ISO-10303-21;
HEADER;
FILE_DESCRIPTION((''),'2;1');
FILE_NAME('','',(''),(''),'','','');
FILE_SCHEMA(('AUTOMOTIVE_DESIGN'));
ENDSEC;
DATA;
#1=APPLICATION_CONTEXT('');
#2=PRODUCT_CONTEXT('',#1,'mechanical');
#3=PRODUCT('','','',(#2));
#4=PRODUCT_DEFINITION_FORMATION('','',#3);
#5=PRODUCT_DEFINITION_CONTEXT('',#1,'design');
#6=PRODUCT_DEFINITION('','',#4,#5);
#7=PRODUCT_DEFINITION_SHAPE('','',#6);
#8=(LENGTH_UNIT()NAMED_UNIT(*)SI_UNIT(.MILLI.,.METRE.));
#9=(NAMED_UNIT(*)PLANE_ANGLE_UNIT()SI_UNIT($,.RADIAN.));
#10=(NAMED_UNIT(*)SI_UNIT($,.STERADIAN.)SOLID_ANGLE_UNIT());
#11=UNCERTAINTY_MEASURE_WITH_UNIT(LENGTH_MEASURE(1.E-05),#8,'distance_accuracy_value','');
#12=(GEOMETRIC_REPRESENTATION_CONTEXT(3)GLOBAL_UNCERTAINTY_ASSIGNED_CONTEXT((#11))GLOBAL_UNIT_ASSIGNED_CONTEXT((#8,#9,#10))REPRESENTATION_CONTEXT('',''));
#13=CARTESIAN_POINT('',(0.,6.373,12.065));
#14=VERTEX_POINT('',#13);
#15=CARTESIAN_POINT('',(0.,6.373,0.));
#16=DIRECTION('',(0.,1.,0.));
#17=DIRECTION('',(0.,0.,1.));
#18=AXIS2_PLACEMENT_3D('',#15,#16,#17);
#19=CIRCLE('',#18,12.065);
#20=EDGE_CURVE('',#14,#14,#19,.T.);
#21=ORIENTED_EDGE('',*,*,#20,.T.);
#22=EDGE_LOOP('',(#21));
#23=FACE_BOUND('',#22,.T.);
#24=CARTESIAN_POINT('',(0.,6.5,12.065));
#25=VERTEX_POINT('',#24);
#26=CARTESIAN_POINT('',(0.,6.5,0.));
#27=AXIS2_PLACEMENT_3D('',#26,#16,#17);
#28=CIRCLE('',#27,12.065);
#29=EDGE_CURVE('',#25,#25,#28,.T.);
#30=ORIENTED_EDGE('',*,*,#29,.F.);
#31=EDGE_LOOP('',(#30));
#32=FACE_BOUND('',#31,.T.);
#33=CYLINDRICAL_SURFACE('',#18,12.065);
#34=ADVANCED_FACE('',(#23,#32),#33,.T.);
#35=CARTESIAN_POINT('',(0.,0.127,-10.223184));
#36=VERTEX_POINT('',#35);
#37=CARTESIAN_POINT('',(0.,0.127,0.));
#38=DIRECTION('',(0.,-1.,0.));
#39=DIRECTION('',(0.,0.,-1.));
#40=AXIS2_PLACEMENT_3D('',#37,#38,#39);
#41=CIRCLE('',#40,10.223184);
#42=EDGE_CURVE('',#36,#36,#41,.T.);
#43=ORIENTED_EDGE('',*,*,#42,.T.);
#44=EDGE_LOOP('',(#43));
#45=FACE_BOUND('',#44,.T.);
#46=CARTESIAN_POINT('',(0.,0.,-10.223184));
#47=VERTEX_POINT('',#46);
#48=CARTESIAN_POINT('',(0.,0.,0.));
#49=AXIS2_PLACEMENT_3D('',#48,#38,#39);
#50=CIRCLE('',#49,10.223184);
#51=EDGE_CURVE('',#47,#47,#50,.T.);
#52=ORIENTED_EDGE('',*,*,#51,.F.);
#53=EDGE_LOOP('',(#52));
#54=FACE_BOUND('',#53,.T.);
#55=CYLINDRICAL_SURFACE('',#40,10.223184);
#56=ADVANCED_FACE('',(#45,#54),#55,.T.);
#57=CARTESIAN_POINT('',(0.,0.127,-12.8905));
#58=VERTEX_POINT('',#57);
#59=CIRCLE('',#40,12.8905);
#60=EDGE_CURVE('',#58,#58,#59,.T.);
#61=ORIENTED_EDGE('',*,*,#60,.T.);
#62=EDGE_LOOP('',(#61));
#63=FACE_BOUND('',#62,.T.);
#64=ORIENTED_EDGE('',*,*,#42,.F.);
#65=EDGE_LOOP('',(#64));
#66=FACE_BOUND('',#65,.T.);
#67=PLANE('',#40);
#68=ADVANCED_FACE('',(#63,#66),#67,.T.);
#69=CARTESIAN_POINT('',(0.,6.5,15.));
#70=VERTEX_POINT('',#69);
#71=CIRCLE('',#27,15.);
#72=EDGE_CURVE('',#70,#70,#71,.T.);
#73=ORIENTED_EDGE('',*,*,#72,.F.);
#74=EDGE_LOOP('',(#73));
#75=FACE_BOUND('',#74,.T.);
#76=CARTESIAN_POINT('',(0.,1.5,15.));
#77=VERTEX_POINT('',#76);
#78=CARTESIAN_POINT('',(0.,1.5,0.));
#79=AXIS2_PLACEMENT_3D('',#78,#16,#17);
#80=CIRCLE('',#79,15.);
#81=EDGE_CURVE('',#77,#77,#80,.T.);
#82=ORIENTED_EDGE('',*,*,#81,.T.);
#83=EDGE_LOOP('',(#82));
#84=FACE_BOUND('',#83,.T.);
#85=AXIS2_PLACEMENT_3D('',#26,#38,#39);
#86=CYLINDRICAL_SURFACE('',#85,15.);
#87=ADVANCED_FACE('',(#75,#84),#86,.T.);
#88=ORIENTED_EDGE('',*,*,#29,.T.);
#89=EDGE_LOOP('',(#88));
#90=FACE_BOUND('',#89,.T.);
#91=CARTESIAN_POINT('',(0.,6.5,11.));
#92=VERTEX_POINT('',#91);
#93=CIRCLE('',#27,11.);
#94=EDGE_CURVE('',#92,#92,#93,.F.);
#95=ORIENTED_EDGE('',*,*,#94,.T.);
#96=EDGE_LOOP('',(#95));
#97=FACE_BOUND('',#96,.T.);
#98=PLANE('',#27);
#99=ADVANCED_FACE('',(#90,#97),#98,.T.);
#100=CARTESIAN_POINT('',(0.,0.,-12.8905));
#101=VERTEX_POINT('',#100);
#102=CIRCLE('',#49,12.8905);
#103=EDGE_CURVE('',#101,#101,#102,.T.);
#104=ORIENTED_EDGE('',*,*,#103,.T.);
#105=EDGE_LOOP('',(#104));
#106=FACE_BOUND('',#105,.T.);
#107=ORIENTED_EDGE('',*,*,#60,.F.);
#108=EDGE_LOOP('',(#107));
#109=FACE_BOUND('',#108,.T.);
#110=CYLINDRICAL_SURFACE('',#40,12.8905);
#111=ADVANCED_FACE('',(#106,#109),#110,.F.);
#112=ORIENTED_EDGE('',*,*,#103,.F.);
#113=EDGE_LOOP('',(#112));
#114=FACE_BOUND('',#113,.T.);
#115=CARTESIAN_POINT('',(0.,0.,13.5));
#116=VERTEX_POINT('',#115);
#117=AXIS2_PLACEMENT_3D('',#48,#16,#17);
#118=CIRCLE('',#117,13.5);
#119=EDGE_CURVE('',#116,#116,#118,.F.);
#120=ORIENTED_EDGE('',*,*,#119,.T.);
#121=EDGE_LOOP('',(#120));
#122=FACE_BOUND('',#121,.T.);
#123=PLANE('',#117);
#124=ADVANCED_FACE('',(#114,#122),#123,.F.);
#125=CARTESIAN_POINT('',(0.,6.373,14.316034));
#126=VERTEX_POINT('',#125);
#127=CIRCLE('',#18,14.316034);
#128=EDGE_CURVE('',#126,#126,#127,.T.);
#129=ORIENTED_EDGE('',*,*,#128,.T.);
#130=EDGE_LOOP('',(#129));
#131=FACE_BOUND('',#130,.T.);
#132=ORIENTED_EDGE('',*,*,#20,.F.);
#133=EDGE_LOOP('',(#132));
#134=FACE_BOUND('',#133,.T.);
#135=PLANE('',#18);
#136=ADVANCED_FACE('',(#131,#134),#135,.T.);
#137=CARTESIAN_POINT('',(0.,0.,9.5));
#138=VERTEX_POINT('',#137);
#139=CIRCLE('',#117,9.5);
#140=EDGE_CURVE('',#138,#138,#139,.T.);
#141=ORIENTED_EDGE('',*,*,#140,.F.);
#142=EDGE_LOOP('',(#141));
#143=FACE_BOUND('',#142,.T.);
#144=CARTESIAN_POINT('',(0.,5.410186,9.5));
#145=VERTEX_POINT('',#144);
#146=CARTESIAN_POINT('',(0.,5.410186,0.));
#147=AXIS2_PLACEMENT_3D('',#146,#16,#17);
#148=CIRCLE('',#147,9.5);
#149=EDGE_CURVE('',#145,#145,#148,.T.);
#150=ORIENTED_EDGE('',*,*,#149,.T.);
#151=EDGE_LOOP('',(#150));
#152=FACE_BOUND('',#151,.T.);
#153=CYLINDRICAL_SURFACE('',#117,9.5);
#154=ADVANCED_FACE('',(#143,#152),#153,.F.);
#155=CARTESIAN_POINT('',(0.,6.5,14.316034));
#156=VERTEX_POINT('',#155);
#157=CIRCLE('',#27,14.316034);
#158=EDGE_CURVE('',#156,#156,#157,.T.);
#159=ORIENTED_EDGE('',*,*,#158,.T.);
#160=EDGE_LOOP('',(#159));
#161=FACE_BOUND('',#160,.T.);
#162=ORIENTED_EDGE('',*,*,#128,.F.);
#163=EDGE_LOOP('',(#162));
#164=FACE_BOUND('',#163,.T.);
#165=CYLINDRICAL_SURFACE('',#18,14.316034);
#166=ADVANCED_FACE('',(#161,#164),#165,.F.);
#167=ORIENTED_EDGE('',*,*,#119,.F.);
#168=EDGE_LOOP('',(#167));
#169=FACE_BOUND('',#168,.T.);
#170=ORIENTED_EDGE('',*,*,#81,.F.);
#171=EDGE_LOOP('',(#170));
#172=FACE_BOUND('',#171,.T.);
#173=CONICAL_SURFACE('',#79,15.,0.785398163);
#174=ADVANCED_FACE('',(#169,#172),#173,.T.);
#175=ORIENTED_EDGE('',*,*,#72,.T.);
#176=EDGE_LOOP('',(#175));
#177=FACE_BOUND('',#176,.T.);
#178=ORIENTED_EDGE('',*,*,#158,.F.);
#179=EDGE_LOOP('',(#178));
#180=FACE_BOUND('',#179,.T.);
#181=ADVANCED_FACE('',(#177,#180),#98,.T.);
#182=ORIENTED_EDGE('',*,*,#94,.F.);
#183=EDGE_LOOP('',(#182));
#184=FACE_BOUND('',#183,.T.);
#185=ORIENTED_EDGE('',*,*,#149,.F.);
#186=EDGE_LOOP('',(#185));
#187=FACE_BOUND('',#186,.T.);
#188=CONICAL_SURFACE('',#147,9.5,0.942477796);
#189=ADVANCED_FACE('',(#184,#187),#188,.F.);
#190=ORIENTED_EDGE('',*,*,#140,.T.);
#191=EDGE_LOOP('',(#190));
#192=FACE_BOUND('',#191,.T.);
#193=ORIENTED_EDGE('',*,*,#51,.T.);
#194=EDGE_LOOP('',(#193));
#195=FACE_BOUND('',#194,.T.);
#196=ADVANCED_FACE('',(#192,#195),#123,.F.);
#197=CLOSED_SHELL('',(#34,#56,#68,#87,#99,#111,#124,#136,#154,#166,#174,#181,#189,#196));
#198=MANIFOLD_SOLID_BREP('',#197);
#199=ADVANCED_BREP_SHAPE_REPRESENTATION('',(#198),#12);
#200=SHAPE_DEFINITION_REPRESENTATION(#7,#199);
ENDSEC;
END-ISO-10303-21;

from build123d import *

# Parameters (mm, degrees)
SKETCH1_R           = 15
BOSS_EXTRUDE1_DEPTH = 6.5
SKETCH2_R           = 9.5
CUT_EXTRUDE1_DEPTH  = 7.5
CHAMFER1_SIZE       = 1.5
CHAMFER2_SIZE       = 1.5
CHAMFER2_SIZE2      = 1.089813792
SKETCH3_R           = 12.8905
SKETCH3_R_2         = 10.223184072
CUT_EXTRUDE2_DEPTH  = 0.127
SKETCH4_R           = 14.316034094
SKETCH4_R_2         = 12.065
CUT_EXTRUDE3_DEPTH  = 0.127


with BuildPart() as part:
    # Sketch1 → Boss-Extrude1 (new body)
    with BuildSketch(Plane(origin=(0, 0, 0), x_dir=(1, 0, 0), z_dir=(0, 1, 0))):
        Circle(SKETCH1_R)
    extrude(amount=BOSS_EXTRUDE1_DEPTH)

    # Sketch2 → Cut-Extrude1 (cut, through all)
    with BuildSketch(Plane(origin=(0, 6.5, 0), x_dir=(1, 0, 0), z_dir=(0, 1, 0))):
        Circle(SKETCH2_R)
    extrude(amount=-CUT_EXTRUDE1_DEPTH, mode=Mode.SUBTRACT)

    # Chamfer1
    chamfer1_edges = [part.edges().sort_by_distance(p)[0] for p in [
        (-15, 0, 0),
    ]]
    chamfer(chamfer1_edges, length=CHAMFER1_SIZE)

    # Chamfer2
    chamfer2_edges = [part.edges().sort_by_distance(p)[0] for p in [
        (-9.5, 6.5, 0),
    ]]
    chamfer2_side = [part.faces().sort_by_distance(p)[0] for p in [
        (-14.575735931, 6.5, 0),
    ]]
    chamfer(chamfer2_edges, length=CHAMFER2_SIZE, length2=CHAMFER2_SIZE2, reference=chamfer2_side[0])

    # Sketch3 → Cut-Extrude2 (cut)
    with BuildSketch(Plane.XZ):
        Circle(SKETCH3_R)
        Circle(SKETCH3_R_2, mode=Mode.SUBTRACT)
    extrude(amount=-CUT_EXTRUDE2_DEPTH, mode=Mode.SUBTRACT)

    # Sketch4 → Cut-Extrude3 (cut)
    with BuildSketch(Plane(origin=(0, 6.5, 0), x_dir=(1, 0, 0), z_dir=(0, 1, 0))):
        Circle(SKETCH4_R)
        Circle(SKETCH4_R_2, mode=Mode.SUBTRACT)
    extrude(amount=-CUT_EXTRUDE3_DEPTH, mode=Mode.SUBTRACT)


solid = part.part
